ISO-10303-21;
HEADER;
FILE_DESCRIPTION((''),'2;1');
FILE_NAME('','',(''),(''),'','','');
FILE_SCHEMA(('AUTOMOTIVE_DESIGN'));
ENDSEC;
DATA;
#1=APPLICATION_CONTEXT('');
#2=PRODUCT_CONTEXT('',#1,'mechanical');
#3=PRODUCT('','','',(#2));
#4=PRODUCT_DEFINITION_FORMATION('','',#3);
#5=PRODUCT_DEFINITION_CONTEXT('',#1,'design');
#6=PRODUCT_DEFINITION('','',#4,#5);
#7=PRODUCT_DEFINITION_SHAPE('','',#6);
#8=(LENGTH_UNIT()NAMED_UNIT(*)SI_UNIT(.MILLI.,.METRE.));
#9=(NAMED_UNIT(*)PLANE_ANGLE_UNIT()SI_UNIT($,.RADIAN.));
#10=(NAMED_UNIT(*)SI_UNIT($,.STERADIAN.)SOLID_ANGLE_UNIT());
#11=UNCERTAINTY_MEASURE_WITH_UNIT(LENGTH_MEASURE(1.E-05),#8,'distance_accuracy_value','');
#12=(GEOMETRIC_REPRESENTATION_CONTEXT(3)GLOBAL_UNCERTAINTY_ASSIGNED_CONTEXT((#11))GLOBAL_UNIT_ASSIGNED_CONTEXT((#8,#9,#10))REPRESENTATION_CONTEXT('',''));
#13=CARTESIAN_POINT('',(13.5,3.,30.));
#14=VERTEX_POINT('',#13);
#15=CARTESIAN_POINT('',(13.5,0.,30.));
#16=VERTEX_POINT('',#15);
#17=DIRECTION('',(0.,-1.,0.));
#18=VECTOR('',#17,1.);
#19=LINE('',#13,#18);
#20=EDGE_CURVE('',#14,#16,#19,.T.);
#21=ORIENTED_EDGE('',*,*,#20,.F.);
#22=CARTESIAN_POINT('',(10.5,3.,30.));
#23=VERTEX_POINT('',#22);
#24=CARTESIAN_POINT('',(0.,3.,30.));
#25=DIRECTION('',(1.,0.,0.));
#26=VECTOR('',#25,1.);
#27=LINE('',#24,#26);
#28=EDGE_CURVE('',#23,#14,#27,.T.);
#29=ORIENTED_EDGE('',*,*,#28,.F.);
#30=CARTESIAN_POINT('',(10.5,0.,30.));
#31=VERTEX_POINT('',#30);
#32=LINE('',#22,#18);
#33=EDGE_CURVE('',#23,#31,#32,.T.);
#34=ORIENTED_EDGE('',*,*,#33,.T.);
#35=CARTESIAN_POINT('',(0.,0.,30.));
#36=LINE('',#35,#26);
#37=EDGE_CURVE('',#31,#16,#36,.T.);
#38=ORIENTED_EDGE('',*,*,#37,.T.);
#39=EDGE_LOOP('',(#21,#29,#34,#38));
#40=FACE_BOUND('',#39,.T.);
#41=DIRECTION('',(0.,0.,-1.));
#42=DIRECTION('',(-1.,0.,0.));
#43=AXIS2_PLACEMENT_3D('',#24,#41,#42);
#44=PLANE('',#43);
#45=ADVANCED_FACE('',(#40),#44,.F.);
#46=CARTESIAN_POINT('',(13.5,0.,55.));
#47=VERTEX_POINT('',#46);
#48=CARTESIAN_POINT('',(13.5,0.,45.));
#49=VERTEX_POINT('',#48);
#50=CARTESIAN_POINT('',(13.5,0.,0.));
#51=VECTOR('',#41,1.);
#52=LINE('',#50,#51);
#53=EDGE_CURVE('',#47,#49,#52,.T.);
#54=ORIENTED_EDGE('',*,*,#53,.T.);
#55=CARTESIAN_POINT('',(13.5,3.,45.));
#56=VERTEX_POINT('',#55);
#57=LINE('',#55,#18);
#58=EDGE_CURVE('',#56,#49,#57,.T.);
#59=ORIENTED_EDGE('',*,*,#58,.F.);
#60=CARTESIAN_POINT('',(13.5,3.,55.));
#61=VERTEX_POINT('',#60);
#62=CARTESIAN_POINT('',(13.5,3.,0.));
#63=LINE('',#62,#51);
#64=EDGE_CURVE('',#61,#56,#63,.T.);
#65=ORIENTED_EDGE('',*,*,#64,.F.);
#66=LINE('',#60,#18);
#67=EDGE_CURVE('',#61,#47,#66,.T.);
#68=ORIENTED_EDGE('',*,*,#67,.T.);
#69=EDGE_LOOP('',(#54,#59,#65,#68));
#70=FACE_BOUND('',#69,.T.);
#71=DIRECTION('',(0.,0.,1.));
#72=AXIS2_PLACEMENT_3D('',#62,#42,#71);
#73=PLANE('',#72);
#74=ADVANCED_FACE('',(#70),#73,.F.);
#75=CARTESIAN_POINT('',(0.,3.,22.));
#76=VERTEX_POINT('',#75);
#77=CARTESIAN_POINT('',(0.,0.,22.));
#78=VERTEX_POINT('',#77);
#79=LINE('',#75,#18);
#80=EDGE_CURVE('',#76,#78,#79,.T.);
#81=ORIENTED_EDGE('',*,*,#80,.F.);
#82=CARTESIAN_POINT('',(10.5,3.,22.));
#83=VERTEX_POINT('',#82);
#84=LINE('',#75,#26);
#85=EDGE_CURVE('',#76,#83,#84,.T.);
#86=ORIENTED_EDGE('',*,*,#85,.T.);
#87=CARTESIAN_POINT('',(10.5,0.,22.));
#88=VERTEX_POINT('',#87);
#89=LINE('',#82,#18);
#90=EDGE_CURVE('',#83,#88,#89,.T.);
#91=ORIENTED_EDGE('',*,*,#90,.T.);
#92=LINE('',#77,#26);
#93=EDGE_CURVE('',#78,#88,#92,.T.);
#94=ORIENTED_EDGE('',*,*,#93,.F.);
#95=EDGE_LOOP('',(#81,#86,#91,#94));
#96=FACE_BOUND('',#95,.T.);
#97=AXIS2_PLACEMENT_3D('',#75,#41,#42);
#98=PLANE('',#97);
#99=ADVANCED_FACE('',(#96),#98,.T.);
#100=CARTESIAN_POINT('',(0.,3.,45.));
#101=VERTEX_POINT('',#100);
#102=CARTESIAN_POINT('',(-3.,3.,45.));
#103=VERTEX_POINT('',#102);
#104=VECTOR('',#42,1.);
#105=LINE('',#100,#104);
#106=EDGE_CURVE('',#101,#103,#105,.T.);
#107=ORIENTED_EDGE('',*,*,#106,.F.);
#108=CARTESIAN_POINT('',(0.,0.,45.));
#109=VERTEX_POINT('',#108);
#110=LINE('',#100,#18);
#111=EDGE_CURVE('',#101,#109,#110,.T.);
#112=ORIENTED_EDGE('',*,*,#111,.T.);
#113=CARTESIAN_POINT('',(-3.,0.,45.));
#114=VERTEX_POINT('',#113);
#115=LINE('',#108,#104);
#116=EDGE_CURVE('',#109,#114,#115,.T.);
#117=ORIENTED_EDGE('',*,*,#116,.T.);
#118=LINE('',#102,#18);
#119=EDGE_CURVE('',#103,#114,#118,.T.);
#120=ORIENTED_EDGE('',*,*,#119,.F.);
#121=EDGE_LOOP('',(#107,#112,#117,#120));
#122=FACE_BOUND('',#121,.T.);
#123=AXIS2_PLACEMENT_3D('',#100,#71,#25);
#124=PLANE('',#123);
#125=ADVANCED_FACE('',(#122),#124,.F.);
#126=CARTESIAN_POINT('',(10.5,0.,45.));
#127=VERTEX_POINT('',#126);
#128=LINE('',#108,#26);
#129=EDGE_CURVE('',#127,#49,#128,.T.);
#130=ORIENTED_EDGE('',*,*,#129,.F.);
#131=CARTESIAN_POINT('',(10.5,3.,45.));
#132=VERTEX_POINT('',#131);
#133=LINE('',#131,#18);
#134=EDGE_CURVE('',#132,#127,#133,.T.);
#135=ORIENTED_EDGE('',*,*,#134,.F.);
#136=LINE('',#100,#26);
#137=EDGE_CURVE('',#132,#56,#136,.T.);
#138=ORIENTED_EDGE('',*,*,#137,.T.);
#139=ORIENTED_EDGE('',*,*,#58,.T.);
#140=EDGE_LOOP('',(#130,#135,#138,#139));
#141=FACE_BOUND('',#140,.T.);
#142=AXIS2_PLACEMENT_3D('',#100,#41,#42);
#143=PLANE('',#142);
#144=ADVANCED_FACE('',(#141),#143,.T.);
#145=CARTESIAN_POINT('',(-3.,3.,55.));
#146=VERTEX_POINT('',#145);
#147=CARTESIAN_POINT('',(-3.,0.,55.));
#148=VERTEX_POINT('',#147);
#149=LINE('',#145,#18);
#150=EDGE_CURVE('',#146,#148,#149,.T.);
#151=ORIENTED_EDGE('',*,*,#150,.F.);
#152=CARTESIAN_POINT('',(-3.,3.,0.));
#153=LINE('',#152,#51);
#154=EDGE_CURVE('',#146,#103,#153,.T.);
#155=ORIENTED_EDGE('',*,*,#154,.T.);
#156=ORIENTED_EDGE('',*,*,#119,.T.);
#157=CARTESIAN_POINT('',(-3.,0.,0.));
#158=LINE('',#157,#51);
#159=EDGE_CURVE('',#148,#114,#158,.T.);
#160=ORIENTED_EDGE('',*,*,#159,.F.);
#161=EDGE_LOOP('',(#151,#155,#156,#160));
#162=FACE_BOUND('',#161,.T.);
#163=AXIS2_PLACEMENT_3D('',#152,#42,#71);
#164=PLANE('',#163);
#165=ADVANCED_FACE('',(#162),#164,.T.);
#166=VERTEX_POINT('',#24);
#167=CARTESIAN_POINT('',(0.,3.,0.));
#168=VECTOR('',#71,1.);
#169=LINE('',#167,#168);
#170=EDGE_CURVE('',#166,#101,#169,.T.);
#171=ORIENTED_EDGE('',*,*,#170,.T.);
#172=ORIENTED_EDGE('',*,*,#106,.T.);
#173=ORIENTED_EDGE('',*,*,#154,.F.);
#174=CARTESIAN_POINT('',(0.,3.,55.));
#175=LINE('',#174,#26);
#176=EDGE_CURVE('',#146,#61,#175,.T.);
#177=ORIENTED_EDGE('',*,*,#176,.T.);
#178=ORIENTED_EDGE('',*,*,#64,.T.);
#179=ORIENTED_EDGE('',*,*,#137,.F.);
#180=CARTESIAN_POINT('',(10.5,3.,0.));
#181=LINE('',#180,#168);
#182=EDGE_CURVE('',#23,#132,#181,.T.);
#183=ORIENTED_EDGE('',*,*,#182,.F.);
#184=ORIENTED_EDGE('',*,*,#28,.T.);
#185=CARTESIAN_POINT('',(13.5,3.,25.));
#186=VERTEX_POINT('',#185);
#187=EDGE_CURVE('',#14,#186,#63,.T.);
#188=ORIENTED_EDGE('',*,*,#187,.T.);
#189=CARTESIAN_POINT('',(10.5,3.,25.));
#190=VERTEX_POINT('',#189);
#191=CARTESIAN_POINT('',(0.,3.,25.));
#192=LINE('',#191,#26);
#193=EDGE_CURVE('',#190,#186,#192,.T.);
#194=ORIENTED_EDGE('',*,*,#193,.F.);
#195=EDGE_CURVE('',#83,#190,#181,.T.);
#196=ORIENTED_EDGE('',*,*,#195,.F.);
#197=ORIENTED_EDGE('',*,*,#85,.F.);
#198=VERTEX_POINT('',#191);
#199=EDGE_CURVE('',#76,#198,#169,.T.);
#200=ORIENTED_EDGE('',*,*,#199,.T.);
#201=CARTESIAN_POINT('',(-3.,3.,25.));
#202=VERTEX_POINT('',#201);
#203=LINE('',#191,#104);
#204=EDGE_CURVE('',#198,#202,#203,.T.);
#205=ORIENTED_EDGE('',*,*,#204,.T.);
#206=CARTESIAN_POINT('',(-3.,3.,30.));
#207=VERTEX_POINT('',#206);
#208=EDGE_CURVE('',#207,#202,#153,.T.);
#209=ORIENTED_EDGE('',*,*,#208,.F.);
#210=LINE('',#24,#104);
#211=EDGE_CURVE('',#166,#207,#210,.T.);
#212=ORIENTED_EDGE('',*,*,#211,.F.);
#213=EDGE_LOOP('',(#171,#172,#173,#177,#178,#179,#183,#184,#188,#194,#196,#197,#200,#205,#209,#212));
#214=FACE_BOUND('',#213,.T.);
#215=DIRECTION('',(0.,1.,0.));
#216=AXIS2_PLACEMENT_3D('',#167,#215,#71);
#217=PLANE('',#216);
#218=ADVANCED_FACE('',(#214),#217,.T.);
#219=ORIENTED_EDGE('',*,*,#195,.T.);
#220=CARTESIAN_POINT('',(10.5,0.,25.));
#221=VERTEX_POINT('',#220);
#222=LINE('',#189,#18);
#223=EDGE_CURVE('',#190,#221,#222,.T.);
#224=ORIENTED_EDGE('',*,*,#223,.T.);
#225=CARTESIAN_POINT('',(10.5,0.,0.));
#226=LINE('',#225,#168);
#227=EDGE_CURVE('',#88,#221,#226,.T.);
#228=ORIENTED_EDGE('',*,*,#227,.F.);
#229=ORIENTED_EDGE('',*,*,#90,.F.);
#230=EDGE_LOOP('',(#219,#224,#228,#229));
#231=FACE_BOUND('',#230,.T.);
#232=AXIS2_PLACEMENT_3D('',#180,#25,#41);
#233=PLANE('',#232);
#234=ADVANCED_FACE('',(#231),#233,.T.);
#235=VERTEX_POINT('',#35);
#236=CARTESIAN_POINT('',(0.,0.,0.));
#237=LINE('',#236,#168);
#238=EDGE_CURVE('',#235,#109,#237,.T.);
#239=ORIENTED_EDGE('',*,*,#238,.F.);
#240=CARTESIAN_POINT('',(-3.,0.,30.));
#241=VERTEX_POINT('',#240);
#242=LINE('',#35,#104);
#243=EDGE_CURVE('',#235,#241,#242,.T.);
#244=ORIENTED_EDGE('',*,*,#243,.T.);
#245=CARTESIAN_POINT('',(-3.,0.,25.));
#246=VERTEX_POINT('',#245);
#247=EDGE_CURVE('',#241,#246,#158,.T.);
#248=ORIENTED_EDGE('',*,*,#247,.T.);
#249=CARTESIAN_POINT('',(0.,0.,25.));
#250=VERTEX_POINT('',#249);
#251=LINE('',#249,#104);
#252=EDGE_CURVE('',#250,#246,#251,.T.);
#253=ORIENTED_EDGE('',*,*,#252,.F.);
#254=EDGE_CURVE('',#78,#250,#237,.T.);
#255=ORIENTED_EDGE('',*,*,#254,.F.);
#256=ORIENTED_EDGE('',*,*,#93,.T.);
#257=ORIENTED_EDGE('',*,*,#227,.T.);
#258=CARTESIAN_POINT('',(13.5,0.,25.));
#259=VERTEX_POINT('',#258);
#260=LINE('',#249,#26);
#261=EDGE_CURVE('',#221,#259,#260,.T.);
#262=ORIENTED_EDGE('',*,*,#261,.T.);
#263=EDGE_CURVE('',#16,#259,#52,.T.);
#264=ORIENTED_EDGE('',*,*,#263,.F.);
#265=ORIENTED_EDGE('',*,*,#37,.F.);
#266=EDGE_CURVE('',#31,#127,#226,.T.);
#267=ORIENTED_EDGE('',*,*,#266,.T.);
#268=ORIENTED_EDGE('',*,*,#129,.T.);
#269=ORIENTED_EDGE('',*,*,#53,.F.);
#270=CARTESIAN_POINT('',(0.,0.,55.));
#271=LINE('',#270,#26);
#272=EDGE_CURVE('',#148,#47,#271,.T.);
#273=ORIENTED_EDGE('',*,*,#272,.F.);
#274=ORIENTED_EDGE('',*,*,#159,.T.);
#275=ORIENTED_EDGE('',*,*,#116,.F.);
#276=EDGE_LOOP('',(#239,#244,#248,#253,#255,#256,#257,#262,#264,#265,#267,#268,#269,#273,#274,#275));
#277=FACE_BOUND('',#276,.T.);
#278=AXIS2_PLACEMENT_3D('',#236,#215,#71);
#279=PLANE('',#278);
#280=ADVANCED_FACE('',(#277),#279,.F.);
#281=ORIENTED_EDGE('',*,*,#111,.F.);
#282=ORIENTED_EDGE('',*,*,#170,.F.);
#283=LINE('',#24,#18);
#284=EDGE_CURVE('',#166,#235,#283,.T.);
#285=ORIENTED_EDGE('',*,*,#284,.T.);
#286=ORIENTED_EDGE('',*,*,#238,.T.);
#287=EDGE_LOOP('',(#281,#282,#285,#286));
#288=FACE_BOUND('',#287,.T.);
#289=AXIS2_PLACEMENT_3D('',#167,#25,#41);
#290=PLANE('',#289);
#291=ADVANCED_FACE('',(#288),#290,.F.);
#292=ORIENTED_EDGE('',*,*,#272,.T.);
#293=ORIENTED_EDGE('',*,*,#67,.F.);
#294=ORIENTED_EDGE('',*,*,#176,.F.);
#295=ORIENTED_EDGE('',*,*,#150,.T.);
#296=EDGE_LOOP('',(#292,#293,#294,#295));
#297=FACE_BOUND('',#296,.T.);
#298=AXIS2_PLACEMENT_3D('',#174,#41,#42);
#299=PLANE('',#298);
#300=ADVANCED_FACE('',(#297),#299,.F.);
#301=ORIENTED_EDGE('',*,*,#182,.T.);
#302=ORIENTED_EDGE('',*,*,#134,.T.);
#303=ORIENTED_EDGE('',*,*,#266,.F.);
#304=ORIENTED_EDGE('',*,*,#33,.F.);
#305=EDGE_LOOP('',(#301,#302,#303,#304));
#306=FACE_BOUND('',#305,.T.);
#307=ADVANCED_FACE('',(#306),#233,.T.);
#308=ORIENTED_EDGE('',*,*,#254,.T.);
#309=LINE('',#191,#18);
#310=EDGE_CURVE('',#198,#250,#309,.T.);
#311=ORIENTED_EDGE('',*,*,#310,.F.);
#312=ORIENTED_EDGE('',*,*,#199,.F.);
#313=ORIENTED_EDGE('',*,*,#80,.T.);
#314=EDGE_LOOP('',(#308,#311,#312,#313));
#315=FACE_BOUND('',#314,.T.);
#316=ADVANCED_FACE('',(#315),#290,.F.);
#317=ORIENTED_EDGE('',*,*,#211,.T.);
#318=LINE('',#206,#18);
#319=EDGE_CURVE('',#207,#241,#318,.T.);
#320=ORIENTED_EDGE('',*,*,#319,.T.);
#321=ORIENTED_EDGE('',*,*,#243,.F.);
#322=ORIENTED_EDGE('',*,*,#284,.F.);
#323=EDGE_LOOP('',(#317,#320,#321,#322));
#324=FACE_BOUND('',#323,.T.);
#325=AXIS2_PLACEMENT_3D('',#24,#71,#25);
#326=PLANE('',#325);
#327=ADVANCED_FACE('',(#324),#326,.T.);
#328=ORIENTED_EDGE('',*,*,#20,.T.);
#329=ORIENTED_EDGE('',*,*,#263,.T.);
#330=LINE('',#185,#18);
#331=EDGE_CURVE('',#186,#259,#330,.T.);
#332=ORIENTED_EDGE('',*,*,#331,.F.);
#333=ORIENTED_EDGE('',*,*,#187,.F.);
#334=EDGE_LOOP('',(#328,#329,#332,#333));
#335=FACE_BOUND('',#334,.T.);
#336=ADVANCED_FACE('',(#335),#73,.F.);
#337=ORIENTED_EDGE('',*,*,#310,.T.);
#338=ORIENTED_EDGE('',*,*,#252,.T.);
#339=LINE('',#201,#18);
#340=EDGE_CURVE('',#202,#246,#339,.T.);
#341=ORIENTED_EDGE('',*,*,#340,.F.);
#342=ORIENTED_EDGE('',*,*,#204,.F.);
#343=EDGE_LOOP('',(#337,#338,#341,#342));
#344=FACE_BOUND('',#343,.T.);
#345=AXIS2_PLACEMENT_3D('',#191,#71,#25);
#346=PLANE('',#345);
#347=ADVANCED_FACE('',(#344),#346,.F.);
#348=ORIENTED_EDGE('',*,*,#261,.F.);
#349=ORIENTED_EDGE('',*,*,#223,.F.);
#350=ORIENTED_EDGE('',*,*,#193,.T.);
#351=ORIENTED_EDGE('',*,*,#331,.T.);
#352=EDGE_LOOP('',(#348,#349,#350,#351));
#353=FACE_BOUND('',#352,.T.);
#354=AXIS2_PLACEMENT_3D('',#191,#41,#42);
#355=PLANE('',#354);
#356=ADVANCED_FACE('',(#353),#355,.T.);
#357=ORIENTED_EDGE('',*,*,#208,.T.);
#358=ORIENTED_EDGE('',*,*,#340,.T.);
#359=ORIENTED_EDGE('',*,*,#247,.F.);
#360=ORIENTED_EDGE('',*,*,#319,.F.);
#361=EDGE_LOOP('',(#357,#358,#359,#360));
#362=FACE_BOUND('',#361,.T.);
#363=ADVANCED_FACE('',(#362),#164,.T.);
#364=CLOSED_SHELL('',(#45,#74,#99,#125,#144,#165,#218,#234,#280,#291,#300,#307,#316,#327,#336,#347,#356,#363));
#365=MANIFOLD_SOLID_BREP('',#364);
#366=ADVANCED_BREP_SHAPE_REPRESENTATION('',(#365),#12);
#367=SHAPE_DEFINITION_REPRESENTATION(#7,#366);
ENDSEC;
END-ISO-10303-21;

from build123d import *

# Parameters (mm, degrees)
SKETCH_1_W      = 3
SKETCH_1_H      = 10
SKETCH_1_H_2    = 5
EXTRUDE_1_DEPTH = 3


with BuildPart() as part:
    # 草图1 → 凸台-拉伸1 (new body)
    with BuildSketch(Plane(origin=(0, 0, 0), x_dir=(1, 0, 0), z_dir=(0, 1, 0))):
        Polygon((0, -45), (0, -55), (10.5, -55), (10.5, -45), (10.5, -30), (10.5, -25), (10.5, -22), (0, -22), (0, -25), (0, -30), align=None)
        with Locations((12, -50)):
            Rectangle(SKETCH_1_W, SKETCH_1_H)
        with Locations((-1.5, -50)):
            Rectangle(SKETCH_1_W, SKETCH_1_H)
        with Locations((-1.5, -27.5)):
            Rectangle(SKETCH_1_W, SKETCH_1_H_2)
        with Locations((12, -27.5)):
            Rectangle(SKETCH_1_W, SKETCH_1_H_2)
    extrude(amount=EXTRUDE_1_DEPTH)


solid = part.part
